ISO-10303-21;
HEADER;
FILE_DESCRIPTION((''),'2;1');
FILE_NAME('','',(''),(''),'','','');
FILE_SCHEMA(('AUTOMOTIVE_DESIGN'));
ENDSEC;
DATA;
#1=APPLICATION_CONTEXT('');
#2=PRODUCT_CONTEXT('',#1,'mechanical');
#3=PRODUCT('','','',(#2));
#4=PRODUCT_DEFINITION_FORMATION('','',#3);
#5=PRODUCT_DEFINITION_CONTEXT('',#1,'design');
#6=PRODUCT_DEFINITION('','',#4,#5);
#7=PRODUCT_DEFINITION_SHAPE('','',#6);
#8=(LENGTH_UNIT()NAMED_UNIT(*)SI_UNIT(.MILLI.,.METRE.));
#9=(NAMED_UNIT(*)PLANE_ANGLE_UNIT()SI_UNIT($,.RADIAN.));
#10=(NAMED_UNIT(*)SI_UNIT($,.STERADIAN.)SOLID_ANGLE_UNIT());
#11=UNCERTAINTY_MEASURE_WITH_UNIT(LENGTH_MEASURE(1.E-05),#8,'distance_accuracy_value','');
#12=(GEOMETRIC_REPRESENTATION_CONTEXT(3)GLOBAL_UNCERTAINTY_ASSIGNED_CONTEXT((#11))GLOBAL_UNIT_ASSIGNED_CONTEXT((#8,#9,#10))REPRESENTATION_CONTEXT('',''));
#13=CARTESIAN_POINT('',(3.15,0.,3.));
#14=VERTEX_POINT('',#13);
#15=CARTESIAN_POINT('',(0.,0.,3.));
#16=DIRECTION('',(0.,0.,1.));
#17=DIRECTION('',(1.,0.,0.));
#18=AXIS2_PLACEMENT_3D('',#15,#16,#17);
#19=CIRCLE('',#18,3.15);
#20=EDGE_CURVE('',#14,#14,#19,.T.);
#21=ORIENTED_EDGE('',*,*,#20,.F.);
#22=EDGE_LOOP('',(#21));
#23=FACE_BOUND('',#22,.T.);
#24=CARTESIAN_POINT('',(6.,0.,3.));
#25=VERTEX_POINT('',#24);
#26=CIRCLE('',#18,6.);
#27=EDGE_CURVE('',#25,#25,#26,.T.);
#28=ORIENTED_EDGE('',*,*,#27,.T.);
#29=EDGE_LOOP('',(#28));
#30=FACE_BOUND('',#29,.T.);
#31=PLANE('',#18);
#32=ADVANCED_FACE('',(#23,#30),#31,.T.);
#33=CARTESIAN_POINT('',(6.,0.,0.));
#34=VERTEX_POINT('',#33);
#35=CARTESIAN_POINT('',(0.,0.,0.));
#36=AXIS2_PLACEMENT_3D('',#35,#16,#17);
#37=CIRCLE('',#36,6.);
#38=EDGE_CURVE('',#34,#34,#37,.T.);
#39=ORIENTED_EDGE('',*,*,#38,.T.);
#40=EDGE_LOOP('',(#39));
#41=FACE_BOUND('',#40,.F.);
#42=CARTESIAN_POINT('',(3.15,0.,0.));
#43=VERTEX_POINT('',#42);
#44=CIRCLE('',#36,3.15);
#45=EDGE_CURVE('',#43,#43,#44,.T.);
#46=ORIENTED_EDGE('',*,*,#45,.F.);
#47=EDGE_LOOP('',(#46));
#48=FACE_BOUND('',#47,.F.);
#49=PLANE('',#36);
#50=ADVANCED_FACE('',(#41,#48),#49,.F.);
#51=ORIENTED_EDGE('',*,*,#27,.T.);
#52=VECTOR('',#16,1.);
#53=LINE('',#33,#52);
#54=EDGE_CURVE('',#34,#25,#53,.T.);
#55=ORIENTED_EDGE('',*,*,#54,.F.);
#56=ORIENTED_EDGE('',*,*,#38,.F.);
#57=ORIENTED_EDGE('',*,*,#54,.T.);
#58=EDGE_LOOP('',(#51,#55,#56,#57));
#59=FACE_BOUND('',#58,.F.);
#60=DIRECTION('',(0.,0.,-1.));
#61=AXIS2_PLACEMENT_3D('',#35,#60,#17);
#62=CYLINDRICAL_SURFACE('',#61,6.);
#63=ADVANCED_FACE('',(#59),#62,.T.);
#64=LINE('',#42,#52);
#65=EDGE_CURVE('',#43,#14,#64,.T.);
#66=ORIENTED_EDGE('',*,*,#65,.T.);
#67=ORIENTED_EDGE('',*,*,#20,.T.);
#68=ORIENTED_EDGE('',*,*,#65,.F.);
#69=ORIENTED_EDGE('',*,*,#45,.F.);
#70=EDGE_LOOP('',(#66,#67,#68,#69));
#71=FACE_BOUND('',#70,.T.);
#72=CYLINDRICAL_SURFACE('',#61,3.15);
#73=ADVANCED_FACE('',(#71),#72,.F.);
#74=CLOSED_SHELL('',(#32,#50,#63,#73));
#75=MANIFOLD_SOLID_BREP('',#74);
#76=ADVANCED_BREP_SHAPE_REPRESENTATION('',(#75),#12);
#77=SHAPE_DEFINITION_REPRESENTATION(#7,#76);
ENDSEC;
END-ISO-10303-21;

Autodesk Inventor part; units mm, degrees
ref_plane "YZ Plane" through (0, 0, 0) normal (1, 0, 0) x (0, 1, 0)
ref_plane "XZ Plane" through (0, 0, 0) normal (0, 1, 0) x (-1, 0, 0)
ref_plane "XY Plane" through (0, 0, 0) normal (0, 0, 1) x (1, 0, 0)
sketch "スケッチ1" plane through (0, 0, 0) normal (0, 0, 1) x (1, 0, 0)
  circle A0 centre (0, 0) radius 3.15
  circle A1 centre (0, 0) radius 6
  dimension "d0" = 6.3
  dimension "d1" = 12
extrude "押し出し1" add sketch "スケッチ1" along normal blind 3
properties part number "CC-0612-30B" material "アセタール樹脂、黒"
